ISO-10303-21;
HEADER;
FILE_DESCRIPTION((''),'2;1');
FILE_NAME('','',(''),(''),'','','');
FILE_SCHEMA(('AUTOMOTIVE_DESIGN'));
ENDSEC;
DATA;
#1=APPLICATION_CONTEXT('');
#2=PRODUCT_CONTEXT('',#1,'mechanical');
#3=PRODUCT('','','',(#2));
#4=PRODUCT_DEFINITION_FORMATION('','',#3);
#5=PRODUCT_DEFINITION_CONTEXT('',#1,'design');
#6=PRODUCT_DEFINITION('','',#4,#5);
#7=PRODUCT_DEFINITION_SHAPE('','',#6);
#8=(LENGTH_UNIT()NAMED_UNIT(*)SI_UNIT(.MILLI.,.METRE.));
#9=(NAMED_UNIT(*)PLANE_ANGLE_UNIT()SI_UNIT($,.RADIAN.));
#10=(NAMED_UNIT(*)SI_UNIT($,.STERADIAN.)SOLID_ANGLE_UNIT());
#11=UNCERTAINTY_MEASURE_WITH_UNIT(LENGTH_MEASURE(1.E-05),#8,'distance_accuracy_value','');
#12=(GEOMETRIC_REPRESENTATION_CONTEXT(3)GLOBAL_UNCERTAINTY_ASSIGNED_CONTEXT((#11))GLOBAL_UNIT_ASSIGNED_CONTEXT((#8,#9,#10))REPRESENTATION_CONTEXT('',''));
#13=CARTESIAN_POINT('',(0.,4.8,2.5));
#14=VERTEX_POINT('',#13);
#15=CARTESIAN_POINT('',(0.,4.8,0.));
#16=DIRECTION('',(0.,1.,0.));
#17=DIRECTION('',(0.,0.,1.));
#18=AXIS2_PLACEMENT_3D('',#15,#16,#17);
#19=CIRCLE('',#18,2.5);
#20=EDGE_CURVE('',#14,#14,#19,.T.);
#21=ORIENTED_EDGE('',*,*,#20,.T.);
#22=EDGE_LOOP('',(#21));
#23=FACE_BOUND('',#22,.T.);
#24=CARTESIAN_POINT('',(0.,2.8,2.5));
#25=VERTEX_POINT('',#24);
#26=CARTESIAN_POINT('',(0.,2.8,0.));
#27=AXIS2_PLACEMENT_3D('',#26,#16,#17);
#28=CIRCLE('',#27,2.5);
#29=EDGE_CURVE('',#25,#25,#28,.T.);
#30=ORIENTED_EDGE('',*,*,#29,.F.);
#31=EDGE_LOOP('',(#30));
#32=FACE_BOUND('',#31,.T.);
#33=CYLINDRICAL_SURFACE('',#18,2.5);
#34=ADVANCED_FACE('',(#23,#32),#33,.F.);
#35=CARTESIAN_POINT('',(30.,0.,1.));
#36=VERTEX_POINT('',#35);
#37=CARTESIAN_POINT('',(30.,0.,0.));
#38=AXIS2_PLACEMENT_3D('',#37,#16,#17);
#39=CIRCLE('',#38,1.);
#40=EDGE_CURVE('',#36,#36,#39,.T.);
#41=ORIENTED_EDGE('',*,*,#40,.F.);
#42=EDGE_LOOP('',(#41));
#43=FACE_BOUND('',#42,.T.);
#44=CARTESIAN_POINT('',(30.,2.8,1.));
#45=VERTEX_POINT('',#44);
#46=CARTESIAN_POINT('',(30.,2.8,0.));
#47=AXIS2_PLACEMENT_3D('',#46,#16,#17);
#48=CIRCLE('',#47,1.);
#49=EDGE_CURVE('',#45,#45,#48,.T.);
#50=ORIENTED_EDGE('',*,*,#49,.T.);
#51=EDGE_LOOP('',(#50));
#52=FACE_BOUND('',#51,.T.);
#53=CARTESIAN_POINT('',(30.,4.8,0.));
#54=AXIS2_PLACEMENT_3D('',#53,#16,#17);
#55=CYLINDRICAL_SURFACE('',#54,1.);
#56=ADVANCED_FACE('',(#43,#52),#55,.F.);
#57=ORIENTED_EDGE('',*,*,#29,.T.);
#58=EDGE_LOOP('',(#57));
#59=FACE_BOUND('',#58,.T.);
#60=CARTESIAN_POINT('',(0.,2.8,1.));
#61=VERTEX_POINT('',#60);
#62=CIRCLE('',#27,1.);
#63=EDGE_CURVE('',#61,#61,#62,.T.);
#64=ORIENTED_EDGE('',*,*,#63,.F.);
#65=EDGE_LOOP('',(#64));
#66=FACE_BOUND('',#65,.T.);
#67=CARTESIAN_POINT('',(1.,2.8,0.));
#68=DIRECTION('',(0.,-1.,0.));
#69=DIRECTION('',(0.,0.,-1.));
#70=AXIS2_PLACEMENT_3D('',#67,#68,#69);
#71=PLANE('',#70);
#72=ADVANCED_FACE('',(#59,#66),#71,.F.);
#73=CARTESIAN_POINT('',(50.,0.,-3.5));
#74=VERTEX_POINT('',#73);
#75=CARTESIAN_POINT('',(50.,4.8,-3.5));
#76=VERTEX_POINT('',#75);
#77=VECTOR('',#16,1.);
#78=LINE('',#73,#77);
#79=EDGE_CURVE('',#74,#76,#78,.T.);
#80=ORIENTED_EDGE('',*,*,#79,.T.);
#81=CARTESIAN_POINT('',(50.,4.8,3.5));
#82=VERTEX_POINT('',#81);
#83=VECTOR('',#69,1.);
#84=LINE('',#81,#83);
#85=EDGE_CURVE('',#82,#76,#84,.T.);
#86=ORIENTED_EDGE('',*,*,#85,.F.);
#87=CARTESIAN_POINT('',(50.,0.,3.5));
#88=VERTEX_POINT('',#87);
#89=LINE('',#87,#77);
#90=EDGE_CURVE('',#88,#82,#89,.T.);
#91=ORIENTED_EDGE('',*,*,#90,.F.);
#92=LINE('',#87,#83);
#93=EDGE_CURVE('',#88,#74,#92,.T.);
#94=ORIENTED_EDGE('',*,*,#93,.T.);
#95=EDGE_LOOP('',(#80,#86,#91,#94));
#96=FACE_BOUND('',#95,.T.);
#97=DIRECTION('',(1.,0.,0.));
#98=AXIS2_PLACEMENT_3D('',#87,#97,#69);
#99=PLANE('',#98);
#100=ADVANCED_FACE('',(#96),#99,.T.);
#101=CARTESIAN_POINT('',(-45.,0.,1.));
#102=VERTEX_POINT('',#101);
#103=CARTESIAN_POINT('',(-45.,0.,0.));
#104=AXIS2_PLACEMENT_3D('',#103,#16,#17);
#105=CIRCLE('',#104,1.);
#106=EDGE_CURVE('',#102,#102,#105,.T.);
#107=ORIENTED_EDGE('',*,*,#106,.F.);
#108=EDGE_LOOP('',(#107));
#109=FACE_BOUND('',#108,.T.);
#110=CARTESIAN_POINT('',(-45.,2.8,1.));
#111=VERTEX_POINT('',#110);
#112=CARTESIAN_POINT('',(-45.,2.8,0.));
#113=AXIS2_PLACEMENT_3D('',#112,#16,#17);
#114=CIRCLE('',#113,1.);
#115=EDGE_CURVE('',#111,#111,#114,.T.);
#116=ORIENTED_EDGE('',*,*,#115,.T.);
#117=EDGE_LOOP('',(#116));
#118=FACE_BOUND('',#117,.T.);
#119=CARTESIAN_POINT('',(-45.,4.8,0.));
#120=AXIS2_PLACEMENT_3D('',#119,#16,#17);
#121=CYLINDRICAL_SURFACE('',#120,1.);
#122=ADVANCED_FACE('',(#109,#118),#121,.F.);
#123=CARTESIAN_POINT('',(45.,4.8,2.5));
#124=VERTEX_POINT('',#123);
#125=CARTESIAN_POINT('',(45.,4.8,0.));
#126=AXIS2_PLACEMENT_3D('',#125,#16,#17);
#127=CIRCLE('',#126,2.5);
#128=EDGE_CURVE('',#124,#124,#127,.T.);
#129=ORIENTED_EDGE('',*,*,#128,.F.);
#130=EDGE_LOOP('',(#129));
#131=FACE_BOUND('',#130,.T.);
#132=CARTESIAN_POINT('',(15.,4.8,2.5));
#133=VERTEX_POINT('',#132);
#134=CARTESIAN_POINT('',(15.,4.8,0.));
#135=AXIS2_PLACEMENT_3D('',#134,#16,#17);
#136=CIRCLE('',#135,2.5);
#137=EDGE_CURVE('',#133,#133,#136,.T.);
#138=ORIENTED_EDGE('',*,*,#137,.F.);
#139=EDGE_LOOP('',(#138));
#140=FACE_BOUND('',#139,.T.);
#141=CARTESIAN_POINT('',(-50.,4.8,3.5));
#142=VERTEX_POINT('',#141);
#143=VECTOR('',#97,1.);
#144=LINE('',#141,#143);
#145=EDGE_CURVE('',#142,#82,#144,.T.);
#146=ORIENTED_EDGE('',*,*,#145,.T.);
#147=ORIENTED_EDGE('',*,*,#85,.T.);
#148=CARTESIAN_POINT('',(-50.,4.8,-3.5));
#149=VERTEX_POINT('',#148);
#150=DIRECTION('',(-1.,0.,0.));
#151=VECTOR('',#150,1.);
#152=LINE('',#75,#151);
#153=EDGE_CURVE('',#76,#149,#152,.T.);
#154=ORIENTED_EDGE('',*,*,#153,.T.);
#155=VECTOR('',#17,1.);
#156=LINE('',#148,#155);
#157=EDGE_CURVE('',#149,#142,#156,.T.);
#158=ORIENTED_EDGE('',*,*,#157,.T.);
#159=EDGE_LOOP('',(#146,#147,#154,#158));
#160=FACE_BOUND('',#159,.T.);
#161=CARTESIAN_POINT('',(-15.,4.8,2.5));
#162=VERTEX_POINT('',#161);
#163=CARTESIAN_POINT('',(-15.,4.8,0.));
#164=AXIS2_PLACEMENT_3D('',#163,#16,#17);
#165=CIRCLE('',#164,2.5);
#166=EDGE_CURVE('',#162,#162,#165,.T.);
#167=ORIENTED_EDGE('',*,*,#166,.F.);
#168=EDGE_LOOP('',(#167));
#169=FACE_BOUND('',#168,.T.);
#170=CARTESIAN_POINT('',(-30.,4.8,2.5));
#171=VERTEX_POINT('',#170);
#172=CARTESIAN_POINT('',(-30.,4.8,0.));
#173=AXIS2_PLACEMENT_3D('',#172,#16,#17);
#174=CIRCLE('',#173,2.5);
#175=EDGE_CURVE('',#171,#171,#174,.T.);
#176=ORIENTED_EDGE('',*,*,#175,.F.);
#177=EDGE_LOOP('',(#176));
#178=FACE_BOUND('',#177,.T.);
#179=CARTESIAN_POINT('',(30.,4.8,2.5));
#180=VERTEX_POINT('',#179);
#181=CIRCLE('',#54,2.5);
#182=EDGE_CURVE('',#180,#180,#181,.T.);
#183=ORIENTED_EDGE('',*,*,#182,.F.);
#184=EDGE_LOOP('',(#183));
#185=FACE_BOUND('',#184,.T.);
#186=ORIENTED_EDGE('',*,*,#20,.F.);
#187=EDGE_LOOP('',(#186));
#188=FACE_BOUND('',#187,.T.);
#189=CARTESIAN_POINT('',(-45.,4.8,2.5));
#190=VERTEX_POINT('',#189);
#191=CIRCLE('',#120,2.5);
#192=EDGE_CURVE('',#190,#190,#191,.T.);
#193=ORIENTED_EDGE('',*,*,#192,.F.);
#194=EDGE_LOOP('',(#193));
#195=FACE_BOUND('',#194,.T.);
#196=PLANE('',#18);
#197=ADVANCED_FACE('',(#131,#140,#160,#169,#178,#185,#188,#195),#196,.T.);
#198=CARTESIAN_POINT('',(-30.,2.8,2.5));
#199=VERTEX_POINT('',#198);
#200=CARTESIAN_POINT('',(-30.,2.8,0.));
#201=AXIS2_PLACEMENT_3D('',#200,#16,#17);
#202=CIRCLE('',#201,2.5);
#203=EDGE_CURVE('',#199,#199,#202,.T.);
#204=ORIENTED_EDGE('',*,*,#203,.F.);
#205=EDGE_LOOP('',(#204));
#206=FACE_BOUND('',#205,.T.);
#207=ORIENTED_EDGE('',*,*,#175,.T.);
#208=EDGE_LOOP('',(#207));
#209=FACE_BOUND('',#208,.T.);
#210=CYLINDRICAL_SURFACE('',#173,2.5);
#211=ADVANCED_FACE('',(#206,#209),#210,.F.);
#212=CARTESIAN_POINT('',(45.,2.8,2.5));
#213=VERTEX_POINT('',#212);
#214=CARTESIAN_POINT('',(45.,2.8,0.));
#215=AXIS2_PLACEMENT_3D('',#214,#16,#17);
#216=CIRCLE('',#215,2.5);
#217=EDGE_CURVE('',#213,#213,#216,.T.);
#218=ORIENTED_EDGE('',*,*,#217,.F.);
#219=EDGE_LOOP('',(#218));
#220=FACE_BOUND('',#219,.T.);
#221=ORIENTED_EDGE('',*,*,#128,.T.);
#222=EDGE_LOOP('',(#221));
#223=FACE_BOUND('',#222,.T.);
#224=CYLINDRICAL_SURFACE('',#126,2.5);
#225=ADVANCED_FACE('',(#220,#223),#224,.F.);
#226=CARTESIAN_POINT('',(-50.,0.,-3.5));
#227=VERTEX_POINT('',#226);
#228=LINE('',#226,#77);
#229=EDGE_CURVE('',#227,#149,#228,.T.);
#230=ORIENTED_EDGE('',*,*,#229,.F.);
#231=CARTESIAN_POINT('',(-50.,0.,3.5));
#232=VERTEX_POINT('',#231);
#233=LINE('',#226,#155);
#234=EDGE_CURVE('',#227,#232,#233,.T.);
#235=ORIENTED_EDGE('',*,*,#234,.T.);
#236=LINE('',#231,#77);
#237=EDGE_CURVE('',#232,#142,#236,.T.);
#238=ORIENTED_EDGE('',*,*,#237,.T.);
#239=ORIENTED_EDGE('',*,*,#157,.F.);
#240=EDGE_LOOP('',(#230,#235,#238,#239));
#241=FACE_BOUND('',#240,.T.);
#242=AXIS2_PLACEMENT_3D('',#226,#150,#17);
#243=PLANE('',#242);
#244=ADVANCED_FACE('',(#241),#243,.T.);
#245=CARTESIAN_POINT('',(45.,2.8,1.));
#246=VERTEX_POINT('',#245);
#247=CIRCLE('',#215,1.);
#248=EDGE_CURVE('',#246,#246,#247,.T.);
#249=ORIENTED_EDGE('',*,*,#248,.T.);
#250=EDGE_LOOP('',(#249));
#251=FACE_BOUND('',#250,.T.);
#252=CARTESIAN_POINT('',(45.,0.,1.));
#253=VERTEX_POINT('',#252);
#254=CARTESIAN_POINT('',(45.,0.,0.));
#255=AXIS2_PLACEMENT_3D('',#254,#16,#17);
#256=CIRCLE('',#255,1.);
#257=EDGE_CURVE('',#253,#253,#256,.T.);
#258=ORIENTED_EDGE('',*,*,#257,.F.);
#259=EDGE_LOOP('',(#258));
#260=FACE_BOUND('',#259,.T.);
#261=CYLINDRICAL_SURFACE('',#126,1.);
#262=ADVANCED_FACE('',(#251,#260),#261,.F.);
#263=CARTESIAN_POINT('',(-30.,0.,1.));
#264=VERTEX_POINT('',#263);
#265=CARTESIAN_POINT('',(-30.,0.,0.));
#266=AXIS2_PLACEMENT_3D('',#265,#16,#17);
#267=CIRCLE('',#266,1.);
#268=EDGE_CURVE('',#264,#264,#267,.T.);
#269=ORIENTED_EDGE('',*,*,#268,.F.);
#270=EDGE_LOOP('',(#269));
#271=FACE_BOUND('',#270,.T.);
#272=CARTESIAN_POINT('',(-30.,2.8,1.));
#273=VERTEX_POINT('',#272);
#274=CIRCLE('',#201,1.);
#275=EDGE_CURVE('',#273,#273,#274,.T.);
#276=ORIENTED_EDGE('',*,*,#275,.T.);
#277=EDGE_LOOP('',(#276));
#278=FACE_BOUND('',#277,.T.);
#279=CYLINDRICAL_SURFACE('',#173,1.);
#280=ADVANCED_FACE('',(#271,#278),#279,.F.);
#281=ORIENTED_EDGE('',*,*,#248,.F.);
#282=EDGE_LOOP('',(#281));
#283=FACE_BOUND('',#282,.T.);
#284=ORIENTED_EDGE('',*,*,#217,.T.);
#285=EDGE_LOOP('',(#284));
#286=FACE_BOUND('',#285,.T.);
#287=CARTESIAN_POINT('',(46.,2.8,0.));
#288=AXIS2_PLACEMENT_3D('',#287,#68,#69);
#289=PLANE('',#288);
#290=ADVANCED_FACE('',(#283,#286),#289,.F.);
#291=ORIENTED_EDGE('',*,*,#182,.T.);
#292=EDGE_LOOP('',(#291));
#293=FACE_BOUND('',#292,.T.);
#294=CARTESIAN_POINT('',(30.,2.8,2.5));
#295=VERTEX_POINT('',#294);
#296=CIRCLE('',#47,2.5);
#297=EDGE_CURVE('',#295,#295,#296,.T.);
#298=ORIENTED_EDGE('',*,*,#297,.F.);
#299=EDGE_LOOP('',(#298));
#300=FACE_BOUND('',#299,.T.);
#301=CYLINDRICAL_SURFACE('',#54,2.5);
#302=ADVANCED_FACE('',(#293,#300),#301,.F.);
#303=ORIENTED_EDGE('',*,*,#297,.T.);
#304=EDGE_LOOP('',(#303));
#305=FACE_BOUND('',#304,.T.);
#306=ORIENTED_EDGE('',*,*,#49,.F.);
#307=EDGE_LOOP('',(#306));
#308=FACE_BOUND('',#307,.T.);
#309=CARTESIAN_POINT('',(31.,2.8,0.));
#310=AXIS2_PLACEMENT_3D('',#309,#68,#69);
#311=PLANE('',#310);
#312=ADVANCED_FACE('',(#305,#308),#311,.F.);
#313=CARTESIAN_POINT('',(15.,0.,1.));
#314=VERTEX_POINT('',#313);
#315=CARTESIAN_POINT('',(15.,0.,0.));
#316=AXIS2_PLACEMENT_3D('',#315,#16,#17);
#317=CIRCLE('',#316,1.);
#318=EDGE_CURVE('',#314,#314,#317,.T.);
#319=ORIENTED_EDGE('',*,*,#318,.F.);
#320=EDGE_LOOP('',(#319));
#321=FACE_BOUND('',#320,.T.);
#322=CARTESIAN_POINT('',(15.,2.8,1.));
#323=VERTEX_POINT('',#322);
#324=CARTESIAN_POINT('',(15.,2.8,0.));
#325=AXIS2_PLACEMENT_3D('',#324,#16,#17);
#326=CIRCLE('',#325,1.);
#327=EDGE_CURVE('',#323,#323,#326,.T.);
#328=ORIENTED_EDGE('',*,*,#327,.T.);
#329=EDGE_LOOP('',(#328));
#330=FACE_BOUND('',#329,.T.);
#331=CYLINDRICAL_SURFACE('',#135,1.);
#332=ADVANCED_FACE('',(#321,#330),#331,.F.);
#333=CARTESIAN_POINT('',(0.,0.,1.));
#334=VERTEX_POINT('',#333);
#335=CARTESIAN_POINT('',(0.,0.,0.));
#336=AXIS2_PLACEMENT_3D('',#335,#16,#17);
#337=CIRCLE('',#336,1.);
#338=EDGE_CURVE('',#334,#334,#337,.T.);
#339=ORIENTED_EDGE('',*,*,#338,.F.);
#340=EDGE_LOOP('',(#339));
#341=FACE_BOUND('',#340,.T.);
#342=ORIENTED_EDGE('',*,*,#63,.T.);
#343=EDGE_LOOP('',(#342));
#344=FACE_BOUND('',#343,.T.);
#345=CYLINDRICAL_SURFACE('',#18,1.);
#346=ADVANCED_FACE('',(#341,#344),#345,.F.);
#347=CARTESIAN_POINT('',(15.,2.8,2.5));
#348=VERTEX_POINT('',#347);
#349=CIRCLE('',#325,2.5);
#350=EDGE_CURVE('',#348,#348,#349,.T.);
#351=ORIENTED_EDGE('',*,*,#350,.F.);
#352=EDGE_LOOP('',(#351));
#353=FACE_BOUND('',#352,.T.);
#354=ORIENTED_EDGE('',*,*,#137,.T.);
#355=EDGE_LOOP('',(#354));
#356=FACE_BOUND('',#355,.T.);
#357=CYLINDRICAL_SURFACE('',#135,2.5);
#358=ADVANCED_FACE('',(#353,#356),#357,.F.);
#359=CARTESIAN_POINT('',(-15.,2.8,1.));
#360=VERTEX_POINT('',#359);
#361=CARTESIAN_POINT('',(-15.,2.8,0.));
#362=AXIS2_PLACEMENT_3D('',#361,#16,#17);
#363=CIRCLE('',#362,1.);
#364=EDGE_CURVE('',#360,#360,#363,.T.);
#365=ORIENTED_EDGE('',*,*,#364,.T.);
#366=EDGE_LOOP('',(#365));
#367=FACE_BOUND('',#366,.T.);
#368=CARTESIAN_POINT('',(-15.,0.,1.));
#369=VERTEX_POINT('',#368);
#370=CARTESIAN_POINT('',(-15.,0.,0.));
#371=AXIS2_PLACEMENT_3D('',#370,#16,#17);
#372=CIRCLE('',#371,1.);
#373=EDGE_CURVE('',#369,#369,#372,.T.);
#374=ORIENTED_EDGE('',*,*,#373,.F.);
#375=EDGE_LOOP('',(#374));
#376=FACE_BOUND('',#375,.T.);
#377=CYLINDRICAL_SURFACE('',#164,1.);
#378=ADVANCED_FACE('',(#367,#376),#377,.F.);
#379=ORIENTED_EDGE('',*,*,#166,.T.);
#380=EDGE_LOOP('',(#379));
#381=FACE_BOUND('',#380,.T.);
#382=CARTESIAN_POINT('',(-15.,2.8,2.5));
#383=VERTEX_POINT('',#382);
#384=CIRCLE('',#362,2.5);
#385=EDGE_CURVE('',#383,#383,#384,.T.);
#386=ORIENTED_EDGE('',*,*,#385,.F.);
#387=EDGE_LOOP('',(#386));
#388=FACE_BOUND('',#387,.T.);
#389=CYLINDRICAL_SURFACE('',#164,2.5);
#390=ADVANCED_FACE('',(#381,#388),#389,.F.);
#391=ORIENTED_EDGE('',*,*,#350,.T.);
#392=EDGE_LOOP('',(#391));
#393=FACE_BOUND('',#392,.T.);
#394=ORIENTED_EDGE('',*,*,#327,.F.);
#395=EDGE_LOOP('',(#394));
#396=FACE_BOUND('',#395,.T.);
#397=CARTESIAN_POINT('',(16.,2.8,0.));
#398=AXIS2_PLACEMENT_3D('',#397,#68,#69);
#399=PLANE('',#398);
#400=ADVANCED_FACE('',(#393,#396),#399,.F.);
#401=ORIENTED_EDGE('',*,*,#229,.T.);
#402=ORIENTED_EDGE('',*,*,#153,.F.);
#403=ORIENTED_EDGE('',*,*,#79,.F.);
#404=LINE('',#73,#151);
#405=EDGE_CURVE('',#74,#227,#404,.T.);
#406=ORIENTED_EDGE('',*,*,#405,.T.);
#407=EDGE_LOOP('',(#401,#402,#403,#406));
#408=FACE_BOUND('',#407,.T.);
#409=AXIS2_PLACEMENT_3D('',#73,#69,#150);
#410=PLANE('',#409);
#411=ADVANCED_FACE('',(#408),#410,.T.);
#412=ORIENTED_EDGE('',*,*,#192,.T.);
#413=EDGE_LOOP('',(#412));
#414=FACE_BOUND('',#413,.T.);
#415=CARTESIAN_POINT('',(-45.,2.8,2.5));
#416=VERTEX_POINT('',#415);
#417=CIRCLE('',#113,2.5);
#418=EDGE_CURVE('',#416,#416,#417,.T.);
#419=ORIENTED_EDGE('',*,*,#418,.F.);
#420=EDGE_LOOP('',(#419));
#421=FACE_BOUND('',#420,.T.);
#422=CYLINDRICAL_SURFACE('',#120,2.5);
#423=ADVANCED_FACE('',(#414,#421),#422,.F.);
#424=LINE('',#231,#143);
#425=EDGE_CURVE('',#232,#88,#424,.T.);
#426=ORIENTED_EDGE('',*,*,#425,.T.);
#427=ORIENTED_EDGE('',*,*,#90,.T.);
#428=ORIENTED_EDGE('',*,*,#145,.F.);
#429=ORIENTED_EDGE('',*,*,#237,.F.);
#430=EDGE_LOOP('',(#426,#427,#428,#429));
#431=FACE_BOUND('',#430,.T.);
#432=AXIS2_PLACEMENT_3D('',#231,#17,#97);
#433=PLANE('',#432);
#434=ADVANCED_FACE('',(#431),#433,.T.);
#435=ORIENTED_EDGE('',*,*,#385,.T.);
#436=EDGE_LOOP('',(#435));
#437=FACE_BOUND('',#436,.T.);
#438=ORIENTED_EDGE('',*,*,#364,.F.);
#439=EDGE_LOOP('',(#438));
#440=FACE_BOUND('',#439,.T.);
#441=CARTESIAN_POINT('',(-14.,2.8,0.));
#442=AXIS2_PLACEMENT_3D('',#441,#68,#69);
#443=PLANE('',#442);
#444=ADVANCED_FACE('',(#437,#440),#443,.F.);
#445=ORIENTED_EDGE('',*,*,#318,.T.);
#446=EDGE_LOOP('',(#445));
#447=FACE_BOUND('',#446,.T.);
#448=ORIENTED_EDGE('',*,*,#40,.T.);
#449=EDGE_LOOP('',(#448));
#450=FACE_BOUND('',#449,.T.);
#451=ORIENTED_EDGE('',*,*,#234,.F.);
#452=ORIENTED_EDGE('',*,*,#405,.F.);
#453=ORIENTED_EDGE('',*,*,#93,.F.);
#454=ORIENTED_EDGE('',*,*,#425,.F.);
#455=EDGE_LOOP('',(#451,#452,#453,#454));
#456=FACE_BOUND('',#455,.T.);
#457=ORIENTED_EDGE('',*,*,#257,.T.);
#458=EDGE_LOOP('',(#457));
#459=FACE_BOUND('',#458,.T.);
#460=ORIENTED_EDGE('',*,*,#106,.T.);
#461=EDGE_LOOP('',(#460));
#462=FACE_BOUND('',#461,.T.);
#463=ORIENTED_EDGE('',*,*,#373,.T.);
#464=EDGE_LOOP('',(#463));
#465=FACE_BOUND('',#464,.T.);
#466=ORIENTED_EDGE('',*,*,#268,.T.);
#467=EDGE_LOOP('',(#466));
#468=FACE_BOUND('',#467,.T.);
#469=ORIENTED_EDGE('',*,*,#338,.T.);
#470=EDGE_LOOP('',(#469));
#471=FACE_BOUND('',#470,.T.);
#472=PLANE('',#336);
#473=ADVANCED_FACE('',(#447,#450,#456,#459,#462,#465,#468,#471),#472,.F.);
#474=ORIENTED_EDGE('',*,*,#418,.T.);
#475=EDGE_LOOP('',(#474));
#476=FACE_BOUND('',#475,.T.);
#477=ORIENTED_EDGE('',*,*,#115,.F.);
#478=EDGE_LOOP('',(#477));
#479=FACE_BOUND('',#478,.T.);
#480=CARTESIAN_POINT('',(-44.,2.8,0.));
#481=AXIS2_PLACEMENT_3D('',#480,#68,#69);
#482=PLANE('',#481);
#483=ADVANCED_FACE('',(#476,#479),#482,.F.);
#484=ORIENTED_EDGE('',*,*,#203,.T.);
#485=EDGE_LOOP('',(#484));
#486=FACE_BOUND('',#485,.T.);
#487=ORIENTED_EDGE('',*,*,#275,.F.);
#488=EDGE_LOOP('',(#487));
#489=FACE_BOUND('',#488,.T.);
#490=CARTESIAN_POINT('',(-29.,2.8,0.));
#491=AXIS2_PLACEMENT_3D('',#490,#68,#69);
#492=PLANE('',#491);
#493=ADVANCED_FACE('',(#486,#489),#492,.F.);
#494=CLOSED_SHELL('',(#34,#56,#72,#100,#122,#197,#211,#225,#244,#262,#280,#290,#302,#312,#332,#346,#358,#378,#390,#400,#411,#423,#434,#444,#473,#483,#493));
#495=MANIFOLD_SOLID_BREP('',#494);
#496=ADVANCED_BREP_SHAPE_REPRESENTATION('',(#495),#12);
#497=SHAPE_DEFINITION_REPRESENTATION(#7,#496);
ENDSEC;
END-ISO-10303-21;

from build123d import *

# Parameters (mm, degrees)
SKETCH_1_W                     = 100
SKETCH_1_H                     = 7
EXTRUDE_1_DEPTH                = 4.8
HOLE_WIZARD_M1_6_1_D           = 2
HOLE_WIZARD_M1_6_1_CBORE_D     = 5
HOLE_WIZARD_M1_6_1_CBORE_DEPTH = 2


with BuildPart() as part:
    # 草图1 → 凸台-拉伸1 (new body)
    with BuildSketch(Plane(origin=(0, 4.8, 0), x_dir=(1, 0, 0), z_dir=(0, 1, 0))):
        Rectangle(SKETCH_1_W, SKETCH_1_H)
    extrude(amount=-EXTRUDE_1_DEPTH)

    # M1.6 凹头盖螺钉的柱形沉头孔1 (through all)
    with Locations(Plane(origin=(0, 4.8, 0), x_dir=(1, 0, 0), z_dir=(0, 1, 0))):
        with Locations((-30, 0), (-15, 0), (0, 0), (15, 0), (30, 0), (45, 0), (-45, 0)):
            CounterBoreHole(HOLE_WIZARD_M1_6_1_D / 2, HOLE_WIZARD_M1_6_1_CBORE_D / 2, HOLE_WIZARD_M1_6_1_CBORE_DEPTH)


solid = part.part
